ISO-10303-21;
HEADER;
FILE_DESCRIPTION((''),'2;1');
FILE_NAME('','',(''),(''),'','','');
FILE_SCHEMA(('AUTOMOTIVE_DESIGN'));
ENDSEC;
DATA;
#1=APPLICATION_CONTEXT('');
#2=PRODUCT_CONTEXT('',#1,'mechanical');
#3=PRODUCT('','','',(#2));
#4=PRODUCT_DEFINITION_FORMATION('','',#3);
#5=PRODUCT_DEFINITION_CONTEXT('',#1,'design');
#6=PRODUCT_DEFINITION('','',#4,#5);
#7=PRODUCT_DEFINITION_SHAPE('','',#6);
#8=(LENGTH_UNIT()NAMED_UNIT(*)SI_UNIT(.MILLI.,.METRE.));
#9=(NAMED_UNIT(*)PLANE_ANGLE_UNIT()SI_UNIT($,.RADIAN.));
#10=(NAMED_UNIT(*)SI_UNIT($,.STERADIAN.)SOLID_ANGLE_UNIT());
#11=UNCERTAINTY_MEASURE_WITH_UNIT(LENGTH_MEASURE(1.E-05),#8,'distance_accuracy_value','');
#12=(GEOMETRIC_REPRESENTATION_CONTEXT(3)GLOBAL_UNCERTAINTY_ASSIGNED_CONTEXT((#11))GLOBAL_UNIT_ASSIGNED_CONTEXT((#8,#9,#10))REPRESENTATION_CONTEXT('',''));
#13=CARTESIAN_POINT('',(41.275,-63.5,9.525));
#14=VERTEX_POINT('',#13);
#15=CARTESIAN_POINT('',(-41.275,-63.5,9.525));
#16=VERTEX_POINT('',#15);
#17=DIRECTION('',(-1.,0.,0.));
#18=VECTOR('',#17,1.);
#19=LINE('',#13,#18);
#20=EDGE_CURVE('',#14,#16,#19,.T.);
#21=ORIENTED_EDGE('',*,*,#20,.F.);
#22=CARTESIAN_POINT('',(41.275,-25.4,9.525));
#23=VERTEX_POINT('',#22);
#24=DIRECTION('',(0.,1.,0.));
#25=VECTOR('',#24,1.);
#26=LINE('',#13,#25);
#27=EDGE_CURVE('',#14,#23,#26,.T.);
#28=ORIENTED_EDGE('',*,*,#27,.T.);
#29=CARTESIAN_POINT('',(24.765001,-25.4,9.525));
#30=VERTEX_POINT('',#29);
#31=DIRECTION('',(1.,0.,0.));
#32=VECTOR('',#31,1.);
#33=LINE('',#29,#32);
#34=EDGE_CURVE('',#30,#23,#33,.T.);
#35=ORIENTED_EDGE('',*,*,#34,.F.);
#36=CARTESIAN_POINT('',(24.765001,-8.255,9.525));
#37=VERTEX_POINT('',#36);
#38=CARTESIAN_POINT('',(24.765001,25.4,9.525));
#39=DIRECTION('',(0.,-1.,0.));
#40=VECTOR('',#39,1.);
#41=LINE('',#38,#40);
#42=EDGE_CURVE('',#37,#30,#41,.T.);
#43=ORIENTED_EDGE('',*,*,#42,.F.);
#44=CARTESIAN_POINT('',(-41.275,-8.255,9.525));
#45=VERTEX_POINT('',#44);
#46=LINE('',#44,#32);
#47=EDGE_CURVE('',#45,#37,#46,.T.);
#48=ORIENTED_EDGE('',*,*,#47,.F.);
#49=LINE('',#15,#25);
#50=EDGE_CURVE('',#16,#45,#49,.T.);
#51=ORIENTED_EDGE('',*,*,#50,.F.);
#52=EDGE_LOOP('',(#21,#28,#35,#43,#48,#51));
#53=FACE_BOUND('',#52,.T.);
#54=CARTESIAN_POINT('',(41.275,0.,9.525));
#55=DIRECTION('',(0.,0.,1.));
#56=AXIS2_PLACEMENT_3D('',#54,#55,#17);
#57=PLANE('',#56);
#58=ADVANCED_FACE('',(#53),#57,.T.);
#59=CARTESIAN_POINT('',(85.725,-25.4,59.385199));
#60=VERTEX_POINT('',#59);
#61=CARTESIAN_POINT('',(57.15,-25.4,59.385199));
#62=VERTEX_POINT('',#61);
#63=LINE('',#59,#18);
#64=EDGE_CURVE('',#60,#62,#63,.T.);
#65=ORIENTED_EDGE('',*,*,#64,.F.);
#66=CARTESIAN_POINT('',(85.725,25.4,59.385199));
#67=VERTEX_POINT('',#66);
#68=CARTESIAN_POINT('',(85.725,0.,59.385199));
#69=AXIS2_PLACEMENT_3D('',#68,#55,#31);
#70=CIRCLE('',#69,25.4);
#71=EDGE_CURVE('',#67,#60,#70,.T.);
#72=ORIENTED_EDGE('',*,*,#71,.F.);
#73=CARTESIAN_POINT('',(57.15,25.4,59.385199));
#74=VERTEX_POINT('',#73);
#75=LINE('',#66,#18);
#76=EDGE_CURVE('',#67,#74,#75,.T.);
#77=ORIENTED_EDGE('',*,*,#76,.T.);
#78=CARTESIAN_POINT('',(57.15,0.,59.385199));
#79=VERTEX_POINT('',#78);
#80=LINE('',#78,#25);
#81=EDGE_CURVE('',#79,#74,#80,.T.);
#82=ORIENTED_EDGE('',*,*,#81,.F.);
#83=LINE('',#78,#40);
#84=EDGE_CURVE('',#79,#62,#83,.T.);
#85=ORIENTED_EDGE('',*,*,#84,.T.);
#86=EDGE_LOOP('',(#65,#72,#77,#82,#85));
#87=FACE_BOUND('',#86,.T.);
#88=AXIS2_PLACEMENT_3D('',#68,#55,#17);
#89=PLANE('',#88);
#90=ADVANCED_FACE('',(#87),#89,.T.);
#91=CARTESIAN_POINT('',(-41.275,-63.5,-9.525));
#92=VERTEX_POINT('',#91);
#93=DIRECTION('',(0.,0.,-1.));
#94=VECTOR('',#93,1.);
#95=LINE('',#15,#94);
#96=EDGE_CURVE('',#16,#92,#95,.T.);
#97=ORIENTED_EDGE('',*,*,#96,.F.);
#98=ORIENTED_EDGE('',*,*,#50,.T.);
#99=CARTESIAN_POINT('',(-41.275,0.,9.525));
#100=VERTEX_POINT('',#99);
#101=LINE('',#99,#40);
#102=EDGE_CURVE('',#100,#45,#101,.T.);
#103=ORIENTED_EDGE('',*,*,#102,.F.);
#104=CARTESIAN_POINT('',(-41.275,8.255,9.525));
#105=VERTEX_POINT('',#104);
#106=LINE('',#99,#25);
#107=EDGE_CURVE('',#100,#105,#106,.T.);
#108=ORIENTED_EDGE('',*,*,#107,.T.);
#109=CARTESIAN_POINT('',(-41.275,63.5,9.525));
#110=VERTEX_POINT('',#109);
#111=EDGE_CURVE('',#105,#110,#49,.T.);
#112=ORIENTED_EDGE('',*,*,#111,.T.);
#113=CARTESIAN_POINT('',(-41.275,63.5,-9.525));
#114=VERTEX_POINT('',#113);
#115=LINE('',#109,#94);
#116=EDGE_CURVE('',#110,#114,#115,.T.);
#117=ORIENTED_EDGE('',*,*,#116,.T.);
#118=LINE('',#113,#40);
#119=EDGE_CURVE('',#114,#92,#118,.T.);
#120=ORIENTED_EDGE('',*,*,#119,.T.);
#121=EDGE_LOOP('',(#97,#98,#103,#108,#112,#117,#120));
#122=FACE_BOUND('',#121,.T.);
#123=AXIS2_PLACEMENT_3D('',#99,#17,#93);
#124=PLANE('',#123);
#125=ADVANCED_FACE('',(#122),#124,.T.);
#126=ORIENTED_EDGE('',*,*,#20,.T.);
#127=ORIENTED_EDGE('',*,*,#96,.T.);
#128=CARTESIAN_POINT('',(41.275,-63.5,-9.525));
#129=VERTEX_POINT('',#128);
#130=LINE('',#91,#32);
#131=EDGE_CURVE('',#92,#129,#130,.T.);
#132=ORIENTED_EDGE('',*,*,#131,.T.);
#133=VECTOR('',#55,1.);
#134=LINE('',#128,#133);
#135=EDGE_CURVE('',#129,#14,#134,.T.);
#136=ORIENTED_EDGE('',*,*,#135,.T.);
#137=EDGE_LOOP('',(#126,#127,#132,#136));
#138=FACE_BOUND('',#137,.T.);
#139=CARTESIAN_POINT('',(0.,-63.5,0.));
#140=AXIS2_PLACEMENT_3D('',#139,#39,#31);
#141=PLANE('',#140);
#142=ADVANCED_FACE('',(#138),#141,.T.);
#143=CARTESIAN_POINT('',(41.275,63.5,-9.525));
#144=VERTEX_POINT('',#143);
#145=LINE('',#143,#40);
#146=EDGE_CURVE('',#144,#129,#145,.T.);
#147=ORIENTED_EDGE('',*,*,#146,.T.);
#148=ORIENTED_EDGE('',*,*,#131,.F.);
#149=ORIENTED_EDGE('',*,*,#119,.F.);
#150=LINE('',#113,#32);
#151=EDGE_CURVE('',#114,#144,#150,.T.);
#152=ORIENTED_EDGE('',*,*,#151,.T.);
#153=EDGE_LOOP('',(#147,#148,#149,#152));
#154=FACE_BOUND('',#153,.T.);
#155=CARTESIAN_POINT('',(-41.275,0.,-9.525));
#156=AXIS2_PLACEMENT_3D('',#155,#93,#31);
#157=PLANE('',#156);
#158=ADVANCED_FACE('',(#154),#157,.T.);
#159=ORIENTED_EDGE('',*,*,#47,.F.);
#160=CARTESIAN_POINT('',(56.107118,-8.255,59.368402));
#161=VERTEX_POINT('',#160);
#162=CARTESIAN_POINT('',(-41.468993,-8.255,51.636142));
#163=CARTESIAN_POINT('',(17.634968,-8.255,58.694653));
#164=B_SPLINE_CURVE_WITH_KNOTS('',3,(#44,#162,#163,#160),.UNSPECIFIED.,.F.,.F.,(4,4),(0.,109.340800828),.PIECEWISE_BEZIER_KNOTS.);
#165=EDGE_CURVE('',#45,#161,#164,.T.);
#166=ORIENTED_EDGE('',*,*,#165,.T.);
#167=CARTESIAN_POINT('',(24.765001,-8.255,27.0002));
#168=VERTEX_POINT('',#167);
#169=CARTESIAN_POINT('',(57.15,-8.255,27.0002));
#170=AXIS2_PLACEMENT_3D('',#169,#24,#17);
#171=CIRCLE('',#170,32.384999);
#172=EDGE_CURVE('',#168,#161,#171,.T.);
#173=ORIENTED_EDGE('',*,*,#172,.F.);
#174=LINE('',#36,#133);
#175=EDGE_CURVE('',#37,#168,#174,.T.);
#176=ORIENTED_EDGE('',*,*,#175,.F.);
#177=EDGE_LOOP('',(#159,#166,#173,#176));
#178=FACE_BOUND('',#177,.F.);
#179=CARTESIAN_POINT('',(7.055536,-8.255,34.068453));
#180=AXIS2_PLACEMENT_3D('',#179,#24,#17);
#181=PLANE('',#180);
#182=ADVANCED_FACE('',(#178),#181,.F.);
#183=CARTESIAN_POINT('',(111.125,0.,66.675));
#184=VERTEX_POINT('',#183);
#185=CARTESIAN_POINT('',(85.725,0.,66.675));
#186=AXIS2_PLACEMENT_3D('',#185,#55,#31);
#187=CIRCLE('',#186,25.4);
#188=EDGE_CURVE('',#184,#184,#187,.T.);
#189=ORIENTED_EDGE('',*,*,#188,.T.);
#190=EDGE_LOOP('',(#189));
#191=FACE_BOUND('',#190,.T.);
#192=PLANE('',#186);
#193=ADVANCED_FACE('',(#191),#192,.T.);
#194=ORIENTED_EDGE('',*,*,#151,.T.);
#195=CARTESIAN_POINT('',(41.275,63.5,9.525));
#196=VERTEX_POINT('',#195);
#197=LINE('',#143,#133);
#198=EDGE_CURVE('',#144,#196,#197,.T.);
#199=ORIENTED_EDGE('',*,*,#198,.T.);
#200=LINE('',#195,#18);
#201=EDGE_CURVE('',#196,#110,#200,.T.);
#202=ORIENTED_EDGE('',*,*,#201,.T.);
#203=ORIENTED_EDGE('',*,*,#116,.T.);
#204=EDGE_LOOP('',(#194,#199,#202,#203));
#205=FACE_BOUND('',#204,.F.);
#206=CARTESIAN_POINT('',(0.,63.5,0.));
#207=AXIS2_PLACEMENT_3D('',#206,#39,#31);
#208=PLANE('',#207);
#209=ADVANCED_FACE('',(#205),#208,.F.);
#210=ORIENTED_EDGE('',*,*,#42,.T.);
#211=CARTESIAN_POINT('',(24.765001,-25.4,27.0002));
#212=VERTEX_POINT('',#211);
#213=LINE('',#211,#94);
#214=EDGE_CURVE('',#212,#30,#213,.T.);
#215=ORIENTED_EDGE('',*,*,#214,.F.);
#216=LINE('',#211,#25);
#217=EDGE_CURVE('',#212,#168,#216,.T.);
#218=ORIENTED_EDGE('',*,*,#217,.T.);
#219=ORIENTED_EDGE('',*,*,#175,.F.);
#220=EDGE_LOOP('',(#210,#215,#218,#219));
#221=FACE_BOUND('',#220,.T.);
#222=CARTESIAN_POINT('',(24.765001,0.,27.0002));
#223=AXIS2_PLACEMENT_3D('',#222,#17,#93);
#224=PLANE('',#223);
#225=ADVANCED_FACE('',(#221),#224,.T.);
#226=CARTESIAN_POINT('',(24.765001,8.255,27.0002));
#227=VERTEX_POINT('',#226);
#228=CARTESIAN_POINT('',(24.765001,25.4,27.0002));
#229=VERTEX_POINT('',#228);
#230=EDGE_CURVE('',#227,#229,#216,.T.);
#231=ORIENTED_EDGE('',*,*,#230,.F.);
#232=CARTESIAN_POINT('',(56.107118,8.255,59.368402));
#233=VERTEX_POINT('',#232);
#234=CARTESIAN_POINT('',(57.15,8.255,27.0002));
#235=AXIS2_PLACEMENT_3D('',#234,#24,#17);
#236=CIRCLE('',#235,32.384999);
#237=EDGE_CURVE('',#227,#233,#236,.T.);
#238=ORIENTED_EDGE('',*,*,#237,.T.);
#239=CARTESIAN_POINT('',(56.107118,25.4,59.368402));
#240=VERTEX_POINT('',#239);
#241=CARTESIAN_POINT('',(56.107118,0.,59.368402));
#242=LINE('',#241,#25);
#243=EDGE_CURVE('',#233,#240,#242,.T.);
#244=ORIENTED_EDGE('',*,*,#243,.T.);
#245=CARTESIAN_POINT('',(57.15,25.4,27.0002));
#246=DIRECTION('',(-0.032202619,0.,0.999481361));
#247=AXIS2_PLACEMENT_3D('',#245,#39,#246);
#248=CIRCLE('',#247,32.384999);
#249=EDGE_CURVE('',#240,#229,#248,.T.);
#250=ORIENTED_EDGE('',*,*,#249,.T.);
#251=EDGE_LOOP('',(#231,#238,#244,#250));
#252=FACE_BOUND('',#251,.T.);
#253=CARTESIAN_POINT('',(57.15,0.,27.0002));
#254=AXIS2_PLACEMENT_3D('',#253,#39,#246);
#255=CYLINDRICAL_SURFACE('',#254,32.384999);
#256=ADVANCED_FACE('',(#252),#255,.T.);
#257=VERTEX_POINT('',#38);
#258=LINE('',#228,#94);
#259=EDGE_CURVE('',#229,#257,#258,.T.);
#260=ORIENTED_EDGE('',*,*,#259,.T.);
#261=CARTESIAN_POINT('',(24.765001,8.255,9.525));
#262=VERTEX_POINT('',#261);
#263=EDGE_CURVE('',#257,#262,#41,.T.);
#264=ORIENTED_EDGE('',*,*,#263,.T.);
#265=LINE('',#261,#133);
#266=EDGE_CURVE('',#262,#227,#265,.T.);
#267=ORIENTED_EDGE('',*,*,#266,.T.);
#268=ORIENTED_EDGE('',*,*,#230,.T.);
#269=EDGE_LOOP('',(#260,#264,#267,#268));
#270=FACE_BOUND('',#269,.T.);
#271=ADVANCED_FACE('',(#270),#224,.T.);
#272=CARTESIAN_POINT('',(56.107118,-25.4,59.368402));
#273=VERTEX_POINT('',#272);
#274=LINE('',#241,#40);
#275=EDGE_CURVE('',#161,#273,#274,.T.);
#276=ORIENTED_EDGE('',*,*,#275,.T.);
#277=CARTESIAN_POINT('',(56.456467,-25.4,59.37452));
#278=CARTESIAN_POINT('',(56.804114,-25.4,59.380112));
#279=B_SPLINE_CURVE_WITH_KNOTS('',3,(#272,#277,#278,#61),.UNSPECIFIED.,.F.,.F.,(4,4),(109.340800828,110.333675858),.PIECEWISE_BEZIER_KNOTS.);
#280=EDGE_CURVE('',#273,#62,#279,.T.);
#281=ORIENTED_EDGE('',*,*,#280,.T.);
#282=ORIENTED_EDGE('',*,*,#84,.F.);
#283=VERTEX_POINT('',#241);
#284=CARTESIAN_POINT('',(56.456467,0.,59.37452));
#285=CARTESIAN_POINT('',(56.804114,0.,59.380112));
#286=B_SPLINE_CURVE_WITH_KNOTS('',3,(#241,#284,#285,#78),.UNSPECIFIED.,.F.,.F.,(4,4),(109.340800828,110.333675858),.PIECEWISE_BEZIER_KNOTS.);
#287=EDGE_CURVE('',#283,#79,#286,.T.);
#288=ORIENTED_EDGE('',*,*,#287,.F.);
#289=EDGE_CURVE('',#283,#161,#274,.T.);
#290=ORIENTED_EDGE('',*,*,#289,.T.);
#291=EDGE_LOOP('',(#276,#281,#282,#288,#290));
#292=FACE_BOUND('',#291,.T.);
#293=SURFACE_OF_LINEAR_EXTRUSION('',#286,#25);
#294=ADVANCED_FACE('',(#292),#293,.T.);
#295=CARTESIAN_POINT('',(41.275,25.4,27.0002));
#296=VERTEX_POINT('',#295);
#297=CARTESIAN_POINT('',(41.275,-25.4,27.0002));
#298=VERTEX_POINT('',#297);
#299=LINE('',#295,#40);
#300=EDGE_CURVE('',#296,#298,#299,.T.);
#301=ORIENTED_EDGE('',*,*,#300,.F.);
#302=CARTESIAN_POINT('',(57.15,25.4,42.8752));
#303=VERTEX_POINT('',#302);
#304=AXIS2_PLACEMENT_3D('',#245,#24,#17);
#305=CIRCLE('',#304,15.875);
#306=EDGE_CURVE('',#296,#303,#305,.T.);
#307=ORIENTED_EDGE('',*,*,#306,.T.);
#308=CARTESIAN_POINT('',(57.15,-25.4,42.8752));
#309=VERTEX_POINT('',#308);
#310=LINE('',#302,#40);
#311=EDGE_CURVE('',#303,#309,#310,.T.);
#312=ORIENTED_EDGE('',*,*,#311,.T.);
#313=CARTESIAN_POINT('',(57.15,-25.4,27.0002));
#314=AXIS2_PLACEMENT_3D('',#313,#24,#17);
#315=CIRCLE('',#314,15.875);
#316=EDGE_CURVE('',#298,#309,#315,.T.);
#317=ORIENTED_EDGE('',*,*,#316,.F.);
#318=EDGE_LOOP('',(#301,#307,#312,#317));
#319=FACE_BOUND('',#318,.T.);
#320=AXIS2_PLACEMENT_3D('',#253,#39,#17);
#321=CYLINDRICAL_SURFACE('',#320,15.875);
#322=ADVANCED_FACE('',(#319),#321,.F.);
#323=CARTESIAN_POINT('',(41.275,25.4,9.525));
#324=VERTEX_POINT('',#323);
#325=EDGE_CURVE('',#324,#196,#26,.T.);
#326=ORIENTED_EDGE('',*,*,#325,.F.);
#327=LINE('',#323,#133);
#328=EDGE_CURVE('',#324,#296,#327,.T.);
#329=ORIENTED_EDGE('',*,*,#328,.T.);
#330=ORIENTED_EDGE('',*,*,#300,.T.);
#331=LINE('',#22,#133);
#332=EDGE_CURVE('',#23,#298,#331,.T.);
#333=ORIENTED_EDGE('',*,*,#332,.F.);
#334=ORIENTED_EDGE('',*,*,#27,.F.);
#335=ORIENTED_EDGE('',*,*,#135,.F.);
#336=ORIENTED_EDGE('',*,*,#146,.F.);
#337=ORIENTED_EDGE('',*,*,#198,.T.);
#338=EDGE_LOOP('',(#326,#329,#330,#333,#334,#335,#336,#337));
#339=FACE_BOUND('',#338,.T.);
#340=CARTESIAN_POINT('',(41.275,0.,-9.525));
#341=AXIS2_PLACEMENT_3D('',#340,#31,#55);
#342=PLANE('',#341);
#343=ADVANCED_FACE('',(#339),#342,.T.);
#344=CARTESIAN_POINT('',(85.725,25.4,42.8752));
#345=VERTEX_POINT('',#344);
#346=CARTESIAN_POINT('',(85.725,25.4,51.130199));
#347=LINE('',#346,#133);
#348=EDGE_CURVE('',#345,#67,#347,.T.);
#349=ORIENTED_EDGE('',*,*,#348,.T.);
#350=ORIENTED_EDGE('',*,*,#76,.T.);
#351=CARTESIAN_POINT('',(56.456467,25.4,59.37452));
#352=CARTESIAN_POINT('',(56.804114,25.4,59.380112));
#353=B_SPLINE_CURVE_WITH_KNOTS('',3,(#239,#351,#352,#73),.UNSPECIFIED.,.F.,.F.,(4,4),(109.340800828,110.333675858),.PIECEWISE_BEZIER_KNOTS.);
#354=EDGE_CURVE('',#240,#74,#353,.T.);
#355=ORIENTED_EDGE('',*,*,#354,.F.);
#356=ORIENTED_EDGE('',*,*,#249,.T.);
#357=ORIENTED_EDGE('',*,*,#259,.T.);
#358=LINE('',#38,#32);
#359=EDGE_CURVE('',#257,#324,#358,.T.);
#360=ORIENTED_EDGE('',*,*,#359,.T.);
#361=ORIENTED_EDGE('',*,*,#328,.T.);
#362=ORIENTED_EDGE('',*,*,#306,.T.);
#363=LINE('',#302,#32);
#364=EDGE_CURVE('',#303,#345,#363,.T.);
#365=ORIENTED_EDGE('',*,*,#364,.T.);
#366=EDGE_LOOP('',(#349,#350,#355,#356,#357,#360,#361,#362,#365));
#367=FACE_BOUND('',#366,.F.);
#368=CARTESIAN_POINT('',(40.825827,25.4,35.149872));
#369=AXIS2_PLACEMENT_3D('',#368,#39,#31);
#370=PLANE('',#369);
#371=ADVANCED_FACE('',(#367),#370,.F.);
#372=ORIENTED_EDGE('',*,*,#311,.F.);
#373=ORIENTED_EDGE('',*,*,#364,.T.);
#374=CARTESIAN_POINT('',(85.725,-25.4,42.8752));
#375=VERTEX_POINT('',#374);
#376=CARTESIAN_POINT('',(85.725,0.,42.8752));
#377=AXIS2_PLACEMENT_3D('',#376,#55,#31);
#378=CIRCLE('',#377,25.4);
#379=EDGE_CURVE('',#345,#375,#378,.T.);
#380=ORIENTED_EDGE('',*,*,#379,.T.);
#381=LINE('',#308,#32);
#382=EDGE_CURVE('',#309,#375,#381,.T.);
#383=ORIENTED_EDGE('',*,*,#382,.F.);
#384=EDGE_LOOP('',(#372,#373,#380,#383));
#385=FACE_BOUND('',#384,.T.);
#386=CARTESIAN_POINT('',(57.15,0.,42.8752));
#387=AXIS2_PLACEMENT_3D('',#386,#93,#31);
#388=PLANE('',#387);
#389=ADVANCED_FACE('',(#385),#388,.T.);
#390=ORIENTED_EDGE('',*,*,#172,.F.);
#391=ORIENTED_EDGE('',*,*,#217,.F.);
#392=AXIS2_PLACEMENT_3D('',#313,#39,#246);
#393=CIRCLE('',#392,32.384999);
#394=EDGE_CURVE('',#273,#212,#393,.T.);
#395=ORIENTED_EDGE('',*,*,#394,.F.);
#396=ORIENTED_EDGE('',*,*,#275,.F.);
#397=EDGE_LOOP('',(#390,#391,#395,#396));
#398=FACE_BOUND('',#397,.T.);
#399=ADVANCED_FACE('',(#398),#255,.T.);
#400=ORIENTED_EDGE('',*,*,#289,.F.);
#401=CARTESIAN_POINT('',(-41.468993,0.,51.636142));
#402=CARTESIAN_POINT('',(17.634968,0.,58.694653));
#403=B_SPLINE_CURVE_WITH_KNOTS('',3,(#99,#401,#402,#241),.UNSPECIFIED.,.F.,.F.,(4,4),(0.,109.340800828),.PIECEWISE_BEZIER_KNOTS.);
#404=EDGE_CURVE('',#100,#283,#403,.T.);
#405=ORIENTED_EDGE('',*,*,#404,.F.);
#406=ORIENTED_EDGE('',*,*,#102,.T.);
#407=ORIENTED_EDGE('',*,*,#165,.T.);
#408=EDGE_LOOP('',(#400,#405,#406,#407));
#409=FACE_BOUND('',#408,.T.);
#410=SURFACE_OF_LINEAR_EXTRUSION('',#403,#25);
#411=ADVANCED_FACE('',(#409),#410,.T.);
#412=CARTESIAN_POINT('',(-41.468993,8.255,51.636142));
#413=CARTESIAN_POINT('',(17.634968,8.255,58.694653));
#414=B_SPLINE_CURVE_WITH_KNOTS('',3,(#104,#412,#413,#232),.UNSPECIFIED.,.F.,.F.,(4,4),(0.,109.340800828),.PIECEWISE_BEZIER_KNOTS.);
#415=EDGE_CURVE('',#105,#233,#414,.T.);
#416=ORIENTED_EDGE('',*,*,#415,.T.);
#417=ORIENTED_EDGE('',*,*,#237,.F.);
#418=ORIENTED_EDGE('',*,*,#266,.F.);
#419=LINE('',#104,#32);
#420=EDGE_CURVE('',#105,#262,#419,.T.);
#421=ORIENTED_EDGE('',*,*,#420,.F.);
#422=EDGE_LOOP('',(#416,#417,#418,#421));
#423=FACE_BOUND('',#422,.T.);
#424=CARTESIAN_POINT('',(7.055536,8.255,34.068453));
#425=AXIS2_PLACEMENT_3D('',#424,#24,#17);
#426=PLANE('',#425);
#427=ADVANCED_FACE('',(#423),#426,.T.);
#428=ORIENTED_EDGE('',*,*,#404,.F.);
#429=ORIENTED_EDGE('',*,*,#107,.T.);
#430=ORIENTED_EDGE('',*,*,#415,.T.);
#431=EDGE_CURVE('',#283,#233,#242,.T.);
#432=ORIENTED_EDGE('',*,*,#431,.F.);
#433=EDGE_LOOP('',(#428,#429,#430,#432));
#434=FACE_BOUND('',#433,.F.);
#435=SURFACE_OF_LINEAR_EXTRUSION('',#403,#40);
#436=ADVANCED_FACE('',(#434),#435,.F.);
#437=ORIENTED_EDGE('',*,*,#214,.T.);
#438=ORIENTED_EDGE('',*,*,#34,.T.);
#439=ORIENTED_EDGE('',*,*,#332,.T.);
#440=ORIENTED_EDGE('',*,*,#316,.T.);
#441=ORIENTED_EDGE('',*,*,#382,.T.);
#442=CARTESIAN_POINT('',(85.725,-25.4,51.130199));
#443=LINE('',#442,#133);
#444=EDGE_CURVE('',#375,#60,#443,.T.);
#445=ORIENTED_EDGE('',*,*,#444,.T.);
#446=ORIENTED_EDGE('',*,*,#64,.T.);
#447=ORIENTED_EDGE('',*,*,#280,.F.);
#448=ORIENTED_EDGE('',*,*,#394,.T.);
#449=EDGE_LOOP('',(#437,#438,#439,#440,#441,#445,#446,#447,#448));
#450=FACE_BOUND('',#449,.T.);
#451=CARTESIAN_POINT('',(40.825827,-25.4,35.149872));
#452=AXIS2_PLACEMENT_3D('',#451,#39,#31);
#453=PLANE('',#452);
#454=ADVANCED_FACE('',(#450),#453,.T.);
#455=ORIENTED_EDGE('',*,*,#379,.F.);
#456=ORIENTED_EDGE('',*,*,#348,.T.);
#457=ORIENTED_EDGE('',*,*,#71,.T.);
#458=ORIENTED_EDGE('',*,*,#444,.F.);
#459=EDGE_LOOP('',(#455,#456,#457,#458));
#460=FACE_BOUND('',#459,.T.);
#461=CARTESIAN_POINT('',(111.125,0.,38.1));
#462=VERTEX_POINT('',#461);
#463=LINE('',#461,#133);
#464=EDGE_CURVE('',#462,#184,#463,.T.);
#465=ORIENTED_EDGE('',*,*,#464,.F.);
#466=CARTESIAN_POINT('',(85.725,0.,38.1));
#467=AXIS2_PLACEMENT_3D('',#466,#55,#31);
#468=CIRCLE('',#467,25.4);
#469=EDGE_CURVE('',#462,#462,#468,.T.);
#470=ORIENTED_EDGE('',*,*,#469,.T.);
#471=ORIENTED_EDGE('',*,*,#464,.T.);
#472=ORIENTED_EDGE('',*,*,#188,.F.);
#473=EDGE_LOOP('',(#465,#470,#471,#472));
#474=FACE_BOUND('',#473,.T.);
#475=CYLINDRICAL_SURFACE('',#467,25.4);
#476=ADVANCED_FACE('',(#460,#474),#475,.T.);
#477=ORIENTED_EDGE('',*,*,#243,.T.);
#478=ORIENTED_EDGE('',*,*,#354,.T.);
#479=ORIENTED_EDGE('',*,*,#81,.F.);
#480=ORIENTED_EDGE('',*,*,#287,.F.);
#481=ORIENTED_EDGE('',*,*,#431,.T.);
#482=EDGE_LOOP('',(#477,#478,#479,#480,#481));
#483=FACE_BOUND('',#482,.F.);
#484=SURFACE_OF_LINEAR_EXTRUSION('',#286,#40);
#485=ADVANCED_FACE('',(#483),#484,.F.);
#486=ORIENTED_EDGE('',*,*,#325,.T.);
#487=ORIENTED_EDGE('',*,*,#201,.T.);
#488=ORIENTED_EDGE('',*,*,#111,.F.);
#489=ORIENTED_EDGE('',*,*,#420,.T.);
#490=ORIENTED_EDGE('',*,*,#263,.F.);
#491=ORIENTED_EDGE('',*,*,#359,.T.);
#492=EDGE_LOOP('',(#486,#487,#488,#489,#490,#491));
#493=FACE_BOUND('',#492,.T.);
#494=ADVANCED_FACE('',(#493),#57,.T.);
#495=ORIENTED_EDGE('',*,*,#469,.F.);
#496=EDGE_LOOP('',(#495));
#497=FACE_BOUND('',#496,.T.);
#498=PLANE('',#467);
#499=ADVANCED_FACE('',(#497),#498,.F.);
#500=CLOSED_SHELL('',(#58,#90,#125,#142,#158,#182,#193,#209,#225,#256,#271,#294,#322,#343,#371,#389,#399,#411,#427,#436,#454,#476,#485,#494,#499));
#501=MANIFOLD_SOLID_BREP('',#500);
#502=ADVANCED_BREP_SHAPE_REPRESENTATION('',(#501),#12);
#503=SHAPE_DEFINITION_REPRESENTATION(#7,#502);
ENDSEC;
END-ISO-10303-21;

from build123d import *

# Parameters (mm, degrees)
F1_DEPTH = 63.5
F0_W     = 25.4
F0_H     = 16.5099985898
F2_DEPTH = 25.4
F3_DEPTH = 8.255


with BuildPart() as f1:
    # F0 (on Front) → F1 (new body, symmetric)
    with BuildSketch(Plane.XZ):
        Polygon((24.7650014102, 9.525), (-41.275, 9.525), (-41.275, -9.525), (41.275, -9.525), (41.275, 9.525), align=None)
    extrude(amount=F1_DEPTH, both=True)

    # F0 (on Front) → F2 (join, symmetric)
    with BuildSketch(Plane.XZ):
        with BuildLine():
            Line((24.7650014102, 27.0002), (24.7650014102, 9.525))
            Line((24.7650014102, 9.525), (41.275, 9.525))
            Line((41.275, 9.525), (41.275, 27.0002))
            ThreePointArc((41.275, 27.0002), (45.9246798487, 38.2255201513), (57.15, 42.8752))
            Line((57.15, 42.8752), (60.325, 42.8752))
            Line((60.325, 42.8752), (60.325, 59.3851985898))
            Line((60.325, 59.3851985898), (57.15, 59.3851985898))
            add(Edge.make_bspline(
                [(56.1071182256, 59.3684024719), (56.4564666589, 59.3745204877), (56.8041138662, 59.3801120386), (57.15, 59.3851985898)],
                knots=[109.340800828, 109.340800828, 109.340800828, 109.340800828, 110.3336758583, 110.3336758583, 110.3336758583, 110.3336758583], degree=3))
            ThreePointArc((56.1071182256, 59.3684024719), (33.8845550392, 49.5281205528), (24.7650014102, 27.0002))
        make_face()
        with Locations((73.025, 51.1301992949)):
            Rectangle(F0_W, F0_H)
    extrude(amount=F2_DEPTH, both=True)

    # F0 (on Front) → F3 (join, symmetric)
    with BuildSketch(Plane.XZ):
        with BuildLine():
            add(Edge.make_bspline(
                [(-41.275, 9.525), (-41.4689933248, 51.6361419003), (17.6349678521, 58.6946532825), (56.1071182256, 59.3684024719)],
                knots=[0, 0, 0, 0, 109.340800828, 109.340800828, 109.340800828, 109.340800828], degree=3))
            Line((-41.275, 9.525), (24.7650014102, 9.525))
            Line((24.7650014102, 9.525), (24.7650014102, 27.0002))
            ThreePointArc((24.7650014102, 27.0002), (33.8845550392, 49.5281205528), (56.1071182256, 59.3684024719))
        make_face()
    extrude(amount=F3_DEPTH, both=True)

    # F0 (on Front) → F4 (revolve)
    with BuildSketch(Plane.XZ):
        Polygon((85.725, 66.675), (85.725, 59.3851985898), (85.725, 42.8752), (85.725, 38.1), (111.125, 38.1), (111.125, 66.675), align=None)
    revolve(axis=Axis((85.725, 0, 52.3875), (0, 0, 1)))


solid = f1.part
